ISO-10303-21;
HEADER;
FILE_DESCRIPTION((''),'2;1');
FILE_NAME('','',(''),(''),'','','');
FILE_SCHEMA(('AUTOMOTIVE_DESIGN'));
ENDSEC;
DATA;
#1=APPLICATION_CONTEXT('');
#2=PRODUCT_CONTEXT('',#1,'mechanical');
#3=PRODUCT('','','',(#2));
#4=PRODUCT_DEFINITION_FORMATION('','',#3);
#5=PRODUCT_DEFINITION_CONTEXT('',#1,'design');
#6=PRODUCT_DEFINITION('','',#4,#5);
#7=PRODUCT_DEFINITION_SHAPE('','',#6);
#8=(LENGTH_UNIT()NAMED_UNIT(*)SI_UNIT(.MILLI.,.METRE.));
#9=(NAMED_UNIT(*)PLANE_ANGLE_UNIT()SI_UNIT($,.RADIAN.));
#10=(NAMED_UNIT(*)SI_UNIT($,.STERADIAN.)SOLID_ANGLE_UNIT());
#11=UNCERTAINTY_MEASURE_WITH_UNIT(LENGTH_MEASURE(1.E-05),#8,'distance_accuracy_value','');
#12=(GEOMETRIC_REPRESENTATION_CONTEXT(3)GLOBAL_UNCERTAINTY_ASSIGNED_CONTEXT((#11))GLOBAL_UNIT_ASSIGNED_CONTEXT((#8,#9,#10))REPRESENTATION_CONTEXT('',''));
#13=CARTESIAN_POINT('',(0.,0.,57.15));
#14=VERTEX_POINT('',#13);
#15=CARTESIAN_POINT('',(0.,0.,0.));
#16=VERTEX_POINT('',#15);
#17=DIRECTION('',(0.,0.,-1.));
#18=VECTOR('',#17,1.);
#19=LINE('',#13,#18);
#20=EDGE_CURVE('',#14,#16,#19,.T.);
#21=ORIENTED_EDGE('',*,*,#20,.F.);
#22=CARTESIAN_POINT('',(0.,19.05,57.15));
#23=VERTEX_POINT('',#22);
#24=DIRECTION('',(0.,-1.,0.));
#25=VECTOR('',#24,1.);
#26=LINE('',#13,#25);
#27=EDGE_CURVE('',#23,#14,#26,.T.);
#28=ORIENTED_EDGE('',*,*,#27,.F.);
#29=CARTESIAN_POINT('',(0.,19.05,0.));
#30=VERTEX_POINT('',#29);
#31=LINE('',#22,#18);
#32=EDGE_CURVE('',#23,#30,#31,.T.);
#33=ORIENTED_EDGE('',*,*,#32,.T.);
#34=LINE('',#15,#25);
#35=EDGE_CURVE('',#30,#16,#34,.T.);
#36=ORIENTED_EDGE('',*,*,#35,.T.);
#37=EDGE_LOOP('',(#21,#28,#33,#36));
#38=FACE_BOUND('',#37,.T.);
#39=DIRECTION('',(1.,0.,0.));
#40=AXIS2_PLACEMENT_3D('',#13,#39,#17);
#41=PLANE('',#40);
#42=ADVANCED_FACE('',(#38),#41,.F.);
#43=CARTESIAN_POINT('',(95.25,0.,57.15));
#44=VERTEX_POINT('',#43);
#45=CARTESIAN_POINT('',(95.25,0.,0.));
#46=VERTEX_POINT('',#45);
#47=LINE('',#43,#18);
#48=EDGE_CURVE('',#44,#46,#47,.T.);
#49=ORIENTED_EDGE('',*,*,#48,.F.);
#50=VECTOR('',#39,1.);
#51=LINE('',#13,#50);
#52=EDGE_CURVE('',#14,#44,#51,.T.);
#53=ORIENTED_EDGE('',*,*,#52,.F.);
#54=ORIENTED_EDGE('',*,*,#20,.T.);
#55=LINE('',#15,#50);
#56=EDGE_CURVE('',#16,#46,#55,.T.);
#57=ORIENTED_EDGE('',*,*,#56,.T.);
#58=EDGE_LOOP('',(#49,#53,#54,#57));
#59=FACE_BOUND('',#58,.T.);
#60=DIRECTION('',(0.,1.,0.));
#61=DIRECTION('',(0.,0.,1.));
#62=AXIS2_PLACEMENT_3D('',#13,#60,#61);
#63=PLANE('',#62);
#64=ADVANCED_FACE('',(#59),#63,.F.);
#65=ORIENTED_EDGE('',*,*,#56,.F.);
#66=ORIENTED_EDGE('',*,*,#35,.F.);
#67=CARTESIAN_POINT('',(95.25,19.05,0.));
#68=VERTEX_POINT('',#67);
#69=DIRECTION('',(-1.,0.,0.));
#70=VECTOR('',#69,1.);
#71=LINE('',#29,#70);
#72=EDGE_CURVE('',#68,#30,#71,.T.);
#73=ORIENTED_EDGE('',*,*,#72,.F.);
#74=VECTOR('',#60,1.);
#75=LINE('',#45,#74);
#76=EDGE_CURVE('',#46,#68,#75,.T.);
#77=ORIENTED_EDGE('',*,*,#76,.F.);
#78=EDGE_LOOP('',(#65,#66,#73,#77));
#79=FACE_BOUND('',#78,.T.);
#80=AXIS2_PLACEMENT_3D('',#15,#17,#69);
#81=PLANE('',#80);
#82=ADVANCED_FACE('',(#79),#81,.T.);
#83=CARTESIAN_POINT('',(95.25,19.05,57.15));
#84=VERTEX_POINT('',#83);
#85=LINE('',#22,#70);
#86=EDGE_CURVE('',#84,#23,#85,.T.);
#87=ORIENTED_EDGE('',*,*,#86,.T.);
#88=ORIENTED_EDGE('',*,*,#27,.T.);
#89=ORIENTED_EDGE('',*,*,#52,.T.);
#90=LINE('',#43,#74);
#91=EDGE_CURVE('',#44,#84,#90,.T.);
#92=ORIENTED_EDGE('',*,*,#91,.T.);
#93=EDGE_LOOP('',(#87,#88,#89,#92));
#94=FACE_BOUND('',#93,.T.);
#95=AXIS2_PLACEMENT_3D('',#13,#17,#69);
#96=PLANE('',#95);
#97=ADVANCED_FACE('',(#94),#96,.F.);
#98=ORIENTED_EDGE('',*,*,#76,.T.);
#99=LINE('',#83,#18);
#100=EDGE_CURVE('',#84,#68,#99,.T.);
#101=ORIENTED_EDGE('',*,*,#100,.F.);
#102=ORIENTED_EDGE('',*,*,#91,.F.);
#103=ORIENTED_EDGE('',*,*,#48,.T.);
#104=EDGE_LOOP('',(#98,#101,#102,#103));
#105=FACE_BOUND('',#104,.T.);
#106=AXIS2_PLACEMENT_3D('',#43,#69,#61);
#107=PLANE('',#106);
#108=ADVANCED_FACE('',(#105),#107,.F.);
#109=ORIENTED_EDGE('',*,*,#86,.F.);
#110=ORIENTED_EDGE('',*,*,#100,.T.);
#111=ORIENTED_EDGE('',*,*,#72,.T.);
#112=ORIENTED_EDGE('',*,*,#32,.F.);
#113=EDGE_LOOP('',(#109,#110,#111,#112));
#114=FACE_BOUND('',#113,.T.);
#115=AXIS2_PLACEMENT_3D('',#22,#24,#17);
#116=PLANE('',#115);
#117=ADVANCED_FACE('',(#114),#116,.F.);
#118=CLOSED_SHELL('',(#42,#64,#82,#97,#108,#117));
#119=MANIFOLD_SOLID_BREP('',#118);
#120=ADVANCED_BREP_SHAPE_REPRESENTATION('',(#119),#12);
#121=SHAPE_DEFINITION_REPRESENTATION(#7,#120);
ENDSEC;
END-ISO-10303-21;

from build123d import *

# Parameters (mm, degrees)
SKETCH1_W           = 95.25
SKETCH1_H           = 19.05
BOSS_EXTRUDE1_DEPTH = 57.15


with BuildPart() as part:
    # Sketch1 → Boss-Extrude1 (new body)
    with BuildSketch(Plane.XY):
        with Locations((47.625, 9.525)):
            Rectangle(SKETCH1_W, SKETCH1_H)
    extrude(amount=BOSS_EXTRUDE1_DEPTH)


solid = part.part
